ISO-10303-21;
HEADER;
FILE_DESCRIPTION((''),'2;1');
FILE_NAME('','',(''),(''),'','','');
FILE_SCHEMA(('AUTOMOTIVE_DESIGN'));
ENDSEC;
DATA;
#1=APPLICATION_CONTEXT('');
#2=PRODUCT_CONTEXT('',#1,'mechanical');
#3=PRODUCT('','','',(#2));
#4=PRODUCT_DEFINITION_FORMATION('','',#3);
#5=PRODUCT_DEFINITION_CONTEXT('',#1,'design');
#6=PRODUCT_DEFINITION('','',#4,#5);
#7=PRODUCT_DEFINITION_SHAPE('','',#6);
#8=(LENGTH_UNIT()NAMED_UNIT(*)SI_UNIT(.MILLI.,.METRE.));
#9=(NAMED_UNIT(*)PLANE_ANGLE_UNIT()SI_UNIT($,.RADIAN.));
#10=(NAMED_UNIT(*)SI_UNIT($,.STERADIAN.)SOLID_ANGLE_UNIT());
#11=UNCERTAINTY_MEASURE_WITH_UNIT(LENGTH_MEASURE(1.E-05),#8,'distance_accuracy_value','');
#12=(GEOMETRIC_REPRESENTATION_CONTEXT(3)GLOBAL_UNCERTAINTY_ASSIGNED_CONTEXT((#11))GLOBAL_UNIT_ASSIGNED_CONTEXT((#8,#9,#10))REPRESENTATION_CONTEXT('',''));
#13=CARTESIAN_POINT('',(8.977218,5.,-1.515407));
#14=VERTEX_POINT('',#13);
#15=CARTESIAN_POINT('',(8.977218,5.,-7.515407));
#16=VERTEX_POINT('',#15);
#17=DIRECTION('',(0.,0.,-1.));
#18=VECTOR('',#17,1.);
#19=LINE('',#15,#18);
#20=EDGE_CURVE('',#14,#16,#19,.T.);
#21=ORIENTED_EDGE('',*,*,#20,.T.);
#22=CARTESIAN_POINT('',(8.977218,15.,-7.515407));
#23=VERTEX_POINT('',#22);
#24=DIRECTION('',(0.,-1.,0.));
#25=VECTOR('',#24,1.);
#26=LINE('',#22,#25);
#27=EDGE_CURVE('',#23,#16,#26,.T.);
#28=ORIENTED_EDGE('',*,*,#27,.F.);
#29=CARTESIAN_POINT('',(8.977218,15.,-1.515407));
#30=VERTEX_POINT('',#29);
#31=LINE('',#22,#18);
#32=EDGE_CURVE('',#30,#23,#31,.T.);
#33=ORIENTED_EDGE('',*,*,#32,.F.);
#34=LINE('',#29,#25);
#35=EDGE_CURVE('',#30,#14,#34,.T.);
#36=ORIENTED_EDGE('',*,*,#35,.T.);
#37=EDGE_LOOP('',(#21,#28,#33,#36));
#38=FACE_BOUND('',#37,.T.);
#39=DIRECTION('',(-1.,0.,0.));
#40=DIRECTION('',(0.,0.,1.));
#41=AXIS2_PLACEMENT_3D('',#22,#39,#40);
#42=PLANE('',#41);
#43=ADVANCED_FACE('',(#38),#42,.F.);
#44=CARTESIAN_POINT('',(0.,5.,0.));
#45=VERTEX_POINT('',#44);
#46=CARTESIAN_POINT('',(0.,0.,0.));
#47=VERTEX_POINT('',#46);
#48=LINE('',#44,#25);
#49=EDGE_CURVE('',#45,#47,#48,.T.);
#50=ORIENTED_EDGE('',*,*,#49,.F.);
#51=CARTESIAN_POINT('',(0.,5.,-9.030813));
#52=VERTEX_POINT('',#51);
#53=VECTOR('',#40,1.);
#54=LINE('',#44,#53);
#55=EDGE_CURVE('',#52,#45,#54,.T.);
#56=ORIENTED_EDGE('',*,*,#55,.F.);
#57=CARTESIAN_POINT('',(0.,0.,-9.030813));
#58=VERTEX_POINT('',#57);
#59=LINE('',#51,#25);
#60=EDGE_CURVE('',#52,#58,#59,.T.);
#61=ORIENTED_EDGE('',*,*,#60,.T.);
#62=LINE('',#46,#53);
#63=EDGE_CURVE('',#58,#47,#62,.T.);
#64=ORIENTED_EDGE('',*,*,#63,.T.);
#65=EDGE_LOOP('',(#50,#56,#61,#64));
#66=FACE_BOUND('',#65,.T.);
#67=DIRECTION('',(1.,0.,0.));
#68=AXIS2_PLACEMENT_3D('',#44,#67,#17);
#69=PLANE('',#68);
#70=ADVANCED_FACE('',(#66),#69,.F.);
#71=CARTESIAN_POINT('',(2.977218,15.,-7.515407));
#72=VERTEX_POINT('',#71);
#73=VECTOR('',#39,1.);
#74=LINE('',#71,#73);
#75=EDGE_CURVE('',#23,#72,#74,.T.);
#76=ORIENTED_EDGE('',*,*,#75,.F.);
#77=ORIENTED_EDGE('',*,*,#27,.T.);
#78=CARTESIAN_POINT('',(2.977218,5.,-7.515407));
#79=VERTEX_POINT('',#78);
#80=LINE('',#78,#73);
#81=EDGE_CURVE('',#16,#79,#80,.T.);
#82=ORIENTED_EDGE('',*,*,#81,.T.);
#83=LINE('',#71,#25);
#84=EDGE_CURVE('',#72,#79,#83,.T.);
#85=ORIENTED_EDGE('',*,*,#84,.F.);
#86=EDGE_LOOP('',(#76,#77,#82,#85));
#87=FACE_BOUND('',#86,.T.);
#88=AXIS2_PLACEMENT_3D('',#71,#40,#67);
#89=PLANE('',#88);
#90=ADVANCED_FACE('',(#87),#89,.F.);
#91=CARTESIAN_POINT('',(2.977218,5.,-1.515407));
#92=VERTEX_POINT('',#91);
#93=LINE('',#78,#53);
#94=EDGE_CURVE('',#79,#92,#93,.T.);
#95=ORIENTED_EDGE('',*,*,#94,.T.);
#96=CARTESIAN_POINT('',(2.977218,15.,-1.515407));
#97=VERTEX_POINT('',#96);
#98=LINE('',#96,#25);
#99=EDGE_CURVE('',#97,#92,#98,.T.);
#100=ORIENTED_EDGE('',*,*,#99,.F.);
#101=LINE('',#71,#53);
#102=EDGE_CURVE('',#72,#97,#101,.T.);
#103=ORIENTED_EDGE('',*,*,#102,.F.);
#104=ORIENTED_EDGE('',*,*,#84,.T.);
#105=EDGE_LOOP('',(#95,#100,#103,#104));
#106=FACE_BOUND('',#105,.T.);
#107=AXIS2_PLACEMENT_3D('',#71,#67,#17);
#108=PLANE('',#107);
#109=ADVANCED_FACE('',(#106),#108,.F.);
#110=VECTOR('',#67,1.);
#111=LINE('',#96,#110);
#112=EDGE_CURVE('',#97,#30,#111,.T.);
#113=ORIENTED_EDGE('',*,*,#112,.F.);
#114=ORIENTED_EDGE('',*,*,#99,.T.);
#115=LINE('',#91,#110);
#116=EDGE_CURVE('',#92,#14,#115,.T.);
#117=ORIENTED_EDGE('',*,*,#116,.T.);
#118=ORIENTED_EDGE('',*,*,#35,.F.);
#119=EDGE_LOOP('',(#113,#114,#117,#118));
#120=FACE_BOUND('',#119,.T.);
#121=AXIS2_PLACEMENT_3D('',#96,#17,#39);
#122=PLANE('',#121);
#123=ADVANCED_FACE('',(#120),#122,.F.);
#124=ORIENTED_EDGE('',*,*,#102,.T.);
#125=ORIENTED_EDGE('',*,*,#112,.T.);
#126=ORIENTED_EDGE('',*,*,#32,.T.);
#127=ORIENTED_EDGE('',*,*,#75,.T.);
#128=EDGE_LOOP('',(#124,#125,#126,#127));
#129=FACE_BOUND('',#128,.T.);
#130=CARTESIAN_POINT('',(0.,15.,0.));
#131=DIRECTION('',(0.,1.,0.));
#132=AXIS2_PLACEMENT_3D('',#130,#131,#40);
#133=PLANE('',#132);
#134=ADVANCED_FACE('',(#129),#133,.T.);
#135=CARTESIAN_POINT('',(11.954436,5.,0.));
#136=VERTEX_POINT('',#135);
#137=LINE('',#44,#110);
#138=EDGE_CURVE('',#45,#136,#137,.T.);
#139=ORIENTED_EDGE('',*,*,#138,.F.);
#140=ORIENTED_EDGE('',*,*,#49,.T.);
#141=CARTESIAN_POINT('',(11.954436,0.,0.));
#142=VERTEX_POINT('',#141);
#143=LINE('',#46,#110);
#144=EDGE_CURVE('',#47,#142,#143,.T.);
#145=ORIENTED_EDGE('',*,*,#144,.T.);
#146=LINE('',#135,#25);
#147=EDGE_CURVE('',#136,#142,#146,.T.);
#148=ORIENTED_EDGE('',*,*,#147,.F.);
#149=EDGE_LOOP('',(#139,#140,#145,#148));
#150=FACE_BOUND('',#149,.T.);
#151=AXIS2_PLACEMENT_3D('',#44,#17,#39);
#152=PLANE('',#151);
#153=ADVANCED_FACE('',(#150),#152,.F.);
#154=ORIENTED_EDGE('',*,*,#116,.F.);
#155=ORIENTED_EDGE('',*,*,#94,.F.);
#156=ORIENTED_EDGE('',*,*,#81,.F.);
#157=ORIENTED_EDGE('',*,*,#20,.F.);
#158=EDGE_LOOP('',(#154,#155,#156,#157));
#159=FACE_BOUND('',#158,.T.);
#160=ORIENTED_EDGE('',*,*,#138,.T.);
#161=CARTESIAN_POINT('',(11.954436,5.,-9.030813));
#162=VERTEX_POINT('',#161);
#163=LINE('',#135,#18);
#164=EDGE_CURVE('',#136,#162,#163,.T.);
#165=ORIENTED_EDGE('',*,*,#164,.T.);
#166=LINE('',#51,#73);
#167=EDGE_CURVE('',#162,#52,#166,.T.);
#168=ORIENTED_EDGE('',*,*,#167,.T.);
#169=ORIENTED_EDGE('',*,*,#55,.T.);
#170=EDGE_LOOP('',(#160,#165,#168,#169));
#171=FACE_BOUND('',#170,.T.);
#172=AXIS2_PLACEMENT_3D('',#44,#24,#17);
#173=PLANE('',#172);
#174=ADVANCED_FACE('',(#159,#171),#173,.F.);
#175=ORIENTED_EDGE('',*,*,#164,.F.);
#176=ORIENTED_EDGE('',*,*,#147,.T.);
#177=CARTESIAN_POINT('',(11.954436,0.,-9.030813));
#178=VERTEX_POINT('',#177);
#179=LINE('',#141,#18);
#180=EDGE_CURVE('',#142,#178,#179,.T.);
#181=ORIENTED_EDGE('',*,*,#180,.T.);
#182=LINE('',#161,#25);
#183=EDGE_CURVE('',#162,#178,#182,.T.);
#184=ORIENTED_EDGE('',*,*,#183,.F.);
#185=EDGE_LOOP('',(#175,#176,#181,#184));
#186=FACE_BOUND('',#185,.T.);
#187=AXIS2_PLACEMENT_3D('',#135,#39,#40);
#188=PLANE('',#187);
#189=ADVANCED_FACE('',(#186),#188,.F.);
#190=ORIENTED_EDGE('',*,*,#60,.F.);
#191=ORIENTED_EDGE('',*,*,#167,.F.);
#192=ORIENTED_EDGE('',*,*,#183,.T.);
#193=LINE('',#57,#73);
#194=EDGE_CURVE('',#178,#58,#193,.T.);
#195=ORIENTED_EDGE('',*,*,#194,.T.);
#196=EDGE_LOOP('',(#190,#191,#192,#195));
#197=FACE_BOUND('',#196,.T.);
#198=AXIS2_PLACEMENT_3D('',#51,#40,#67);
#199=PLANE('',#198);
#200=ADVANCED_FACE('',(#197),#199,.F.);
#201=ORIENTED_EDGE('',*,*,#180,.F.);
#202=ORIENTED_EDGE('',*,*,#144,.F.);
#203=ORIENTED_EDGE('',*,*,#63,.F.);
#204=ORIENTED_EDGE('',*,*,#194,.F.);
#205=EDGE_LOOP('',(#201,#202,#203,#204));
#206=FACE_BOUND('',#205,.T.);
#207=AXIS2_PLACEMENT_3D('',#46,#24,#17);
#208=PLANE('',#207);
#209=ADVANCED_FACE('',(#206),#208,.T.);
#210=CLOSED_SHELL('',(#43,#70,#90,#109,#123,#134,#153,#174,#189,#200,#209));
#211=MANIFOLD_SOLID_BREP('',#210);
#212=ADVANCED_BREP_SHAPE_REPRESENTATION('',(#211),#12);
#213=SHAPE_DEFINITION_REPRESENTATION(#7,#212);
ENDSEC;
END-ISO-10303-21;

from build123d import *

# Parameters (mm, degrees)
SKETCH1_W           = 11.954436121
SKETCH1_H           = 9.030813176
BOSS_EXTRUDE1_DEPTH = 5
SKETCH7_W           = 6
SKETCH7_H           = 6
BOSS_EXTRUDE2_DEPTH = 10


with BuildPart() as part:
    # Sketch1 → Boss-Extrude1 (new body)
    with BuildSketch(Plane(origin=(0, 0, 0), x_dir=(1, 0, 0), z_dir=(0, 1, 0))):
        with Locations((5.977218061, 4.515406588)):
            Rectangle(SKETCH1_W, SKETCH1_H)
    extrude(amount=BOSS_EXTRUDE1_DEPTH)

    # Sketch7 → Boss-Extrude2 (add)
    with BuildSketch(Plane(origin=(0, 5, 0), x_dir=(1, 0, 0), z_dir=(0, 1, 0))):
        with Locations((5.97721806, 4.515406588)):
            Rectangle(SKETCH7_W, SKETCH7_H)
    extrude(amount=BOSS_EXTRUDE2_DEPTH)


solid = part.part
